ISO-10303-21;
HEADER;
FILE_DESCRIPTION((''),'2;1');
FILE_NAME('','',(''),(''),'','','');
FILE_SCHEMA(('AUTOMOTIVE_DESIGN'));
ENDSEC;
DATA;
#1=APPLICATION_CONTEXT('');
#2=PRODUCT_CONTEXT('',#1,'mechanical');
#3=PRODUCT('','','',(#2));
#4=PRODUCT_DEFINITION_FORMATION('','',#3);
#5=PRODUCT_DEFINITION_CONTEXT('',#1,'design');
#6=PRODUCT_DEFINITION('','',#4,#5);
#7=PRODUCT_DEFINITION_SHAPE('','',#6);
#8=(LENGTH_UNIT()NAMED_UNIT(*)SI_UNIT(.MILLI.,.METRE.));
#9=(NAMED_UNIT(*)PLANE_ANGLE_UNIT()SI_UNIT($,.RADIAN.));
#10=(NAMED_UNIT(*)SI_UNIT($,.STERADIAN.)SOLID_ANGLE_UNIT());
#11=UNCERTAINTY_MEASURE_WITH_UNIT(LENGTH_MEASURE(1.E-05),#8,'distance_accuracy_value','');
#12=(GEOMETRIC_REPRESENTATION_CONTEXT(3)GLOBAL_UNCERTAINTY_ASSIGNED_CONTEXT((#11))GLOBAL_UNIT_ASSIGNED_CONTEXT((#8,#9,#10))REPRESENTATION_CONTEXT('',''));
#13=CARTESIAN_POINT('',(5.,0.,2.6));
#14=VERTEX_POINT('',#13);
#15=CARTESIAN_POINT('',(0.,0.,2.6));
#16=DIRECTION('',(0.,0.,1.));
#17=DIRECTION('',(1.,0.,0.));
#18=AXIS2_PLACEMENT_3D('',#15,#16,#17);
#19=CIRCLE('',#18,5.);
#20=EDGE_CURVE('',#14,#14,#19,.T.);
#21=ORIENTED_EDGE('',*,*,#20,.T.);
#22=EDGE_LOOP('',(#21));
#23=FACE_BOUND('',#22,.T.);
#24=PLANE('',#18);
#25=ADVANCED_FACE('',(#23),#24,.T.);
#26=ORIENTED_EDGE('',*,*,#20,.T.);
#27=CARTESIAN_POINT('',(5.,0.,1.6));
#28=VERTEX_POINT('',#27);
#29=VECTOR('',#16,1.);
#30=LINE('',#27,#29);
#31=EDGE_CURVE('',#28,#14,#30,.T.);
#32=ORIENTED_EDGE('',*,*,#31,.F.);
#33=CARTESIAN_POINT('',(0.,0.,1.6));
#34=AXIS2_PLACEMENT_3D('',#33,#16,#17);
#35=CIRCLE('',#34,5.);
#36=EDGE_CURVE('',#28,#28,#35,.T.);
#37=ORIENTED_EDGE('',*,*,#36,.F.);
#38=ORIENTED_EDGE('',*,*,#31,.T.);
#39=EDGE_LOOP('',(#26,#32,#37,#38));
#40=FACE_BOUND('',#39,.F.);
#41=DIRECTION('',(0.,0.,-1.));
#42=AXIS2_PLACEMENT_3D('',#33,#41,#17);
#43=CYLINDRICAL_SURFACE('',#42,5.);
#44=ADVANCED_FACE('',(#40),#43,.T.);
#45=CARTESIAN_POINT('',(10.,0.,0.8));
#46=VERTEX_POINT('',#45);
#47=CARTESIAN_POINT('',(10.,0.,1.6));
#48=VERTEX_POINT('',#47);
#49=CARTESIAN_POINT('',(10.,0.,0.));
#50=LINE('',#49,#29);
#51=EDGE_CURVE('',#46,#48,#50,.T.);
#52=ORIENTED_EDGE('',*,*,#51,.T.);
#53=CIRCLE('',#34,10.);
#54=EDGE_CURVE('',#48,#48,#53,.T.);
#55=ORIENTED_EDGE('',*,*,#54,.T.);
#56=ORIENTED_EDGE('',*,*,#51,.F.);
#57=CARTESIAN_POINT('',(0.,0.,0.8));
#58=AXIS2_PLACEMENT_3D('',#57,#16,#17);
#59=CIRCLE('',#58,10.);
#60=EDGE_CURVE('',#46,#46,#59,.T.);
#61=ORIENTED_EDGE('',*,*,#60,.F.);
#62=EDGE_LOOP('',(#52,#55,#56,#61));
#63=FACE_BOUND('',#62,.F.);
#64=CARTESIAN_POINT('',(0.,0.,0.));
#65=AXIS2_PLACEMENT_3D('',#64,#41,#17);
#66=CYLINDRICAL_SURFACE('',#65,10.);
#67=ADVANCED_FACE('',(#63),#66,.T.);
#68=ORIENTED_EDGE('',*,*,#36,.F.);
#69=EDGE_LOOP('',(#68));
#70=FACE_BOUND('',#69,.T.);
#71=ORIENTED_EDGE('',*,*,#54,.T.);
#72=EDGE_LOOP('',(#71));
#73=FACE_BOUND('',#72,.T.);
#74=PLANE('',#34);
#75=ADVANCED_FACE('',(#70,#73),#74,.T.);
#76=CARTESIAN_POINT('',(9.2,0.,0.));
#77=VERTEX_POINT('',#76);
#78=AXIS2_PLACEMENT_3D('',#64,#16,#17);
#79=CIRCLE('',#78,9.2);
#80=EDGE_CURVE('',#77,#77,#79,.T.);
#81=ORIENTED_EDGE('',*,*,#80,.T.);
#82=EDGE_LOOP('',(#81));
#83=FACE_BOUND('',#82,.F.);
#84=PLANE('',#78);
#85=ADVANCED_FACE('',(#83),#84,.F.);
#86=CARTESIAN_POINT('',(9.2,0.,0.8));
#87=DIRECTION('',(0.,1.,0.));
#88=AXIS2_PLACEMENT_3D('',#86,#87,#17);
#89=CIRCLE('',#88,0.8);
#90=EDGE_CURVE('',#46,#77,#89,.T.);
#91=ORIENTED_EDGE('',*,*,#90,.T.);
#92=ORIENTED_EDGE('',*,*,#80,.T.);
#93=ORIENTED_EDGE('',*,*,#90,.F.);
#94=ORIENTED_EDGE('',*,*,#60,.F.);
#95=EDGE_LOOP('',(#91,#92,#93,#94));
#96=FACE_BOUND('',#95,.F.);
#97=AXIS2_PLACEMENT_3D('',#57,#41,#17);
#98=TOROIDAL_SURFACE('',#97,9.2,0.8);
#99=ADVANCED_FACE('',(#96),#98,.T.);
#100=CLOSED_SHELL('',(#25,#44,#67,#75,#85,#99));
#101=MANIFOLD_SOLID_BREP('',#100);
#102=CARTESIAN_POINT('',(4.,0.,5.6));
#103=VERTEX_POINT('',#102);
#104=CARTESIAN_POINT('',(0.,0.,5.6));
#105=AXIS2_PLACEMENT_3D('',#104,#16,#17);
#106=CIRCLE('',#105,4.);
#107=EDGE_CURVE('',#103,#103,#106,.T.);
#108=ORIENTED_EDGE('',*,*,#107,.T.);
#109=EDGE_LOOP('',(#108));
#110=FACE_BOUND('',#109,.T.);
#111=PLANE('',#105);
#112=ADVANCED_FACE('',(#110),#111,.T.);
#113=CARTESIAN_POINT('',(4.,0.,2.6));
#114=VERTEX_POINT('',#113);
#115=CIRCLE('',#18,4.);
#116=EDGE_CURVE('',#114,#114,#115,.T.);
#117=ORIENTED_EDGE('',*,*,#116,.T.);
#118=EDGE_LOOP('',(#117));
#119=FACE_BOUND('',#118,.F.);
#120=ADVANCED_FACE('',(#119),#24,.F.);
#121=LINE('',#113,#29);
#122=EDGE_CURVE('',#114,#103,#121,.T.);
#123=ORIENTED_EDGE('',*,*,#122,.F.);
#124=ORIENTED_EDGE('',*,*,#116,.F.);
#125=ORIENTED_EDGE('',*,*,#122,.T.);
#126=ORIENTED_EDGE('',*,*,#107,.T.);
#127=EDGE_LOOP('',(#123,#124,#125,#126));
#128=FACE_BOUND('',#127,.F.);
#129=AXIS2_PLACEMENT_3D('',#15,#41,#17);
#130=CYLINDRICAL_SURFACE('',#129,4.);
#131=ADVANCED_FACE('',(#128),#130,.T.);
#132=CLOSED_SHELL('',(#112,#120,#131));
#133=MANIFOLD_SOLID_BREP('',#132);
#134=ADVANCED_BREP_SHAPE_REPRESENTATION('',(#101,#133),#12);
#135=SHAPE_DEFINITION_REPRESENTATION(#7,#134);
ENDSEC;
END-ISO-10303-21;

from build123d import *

# Parameters (mm, degrees)
F0_R     = 10
F1_DEPTH = 1.6
F2_R     = 5
F3_DEPTH = 1
F4_R     = 4
F5_DEPTH = 3
F6_R     = 0.8


with BuildPart() as f1:
    # F0 (on Top) → F1 (new body)
    with BuildSketch(Plane.XY):
        Circle(F0_R)
    extrude(amount=F1_DEPTH)

    # F2 (on face) → F3 (join)
    with BuildSketch(Plane.XY.offset(1.6)):
        Circle(F2_R)
    extrude(amount=F3_DEPTH)

    # F6
    f6_edges = [f1.edges().sort_by_distance(p)[0] for p in [
        (-10, 0, 0),
    ]]
    fillet(f6_edges, radius=F6_R)


with BuildPart() as f5:
    # F4 (on face) → F5 (new body)
    with BuildSketch(Plane.XY.offset(2.6)):
        Circle(F4_R)
    extrude(amount=F5_DEPTH)


solid = Compound([f1.part, f5.part])
